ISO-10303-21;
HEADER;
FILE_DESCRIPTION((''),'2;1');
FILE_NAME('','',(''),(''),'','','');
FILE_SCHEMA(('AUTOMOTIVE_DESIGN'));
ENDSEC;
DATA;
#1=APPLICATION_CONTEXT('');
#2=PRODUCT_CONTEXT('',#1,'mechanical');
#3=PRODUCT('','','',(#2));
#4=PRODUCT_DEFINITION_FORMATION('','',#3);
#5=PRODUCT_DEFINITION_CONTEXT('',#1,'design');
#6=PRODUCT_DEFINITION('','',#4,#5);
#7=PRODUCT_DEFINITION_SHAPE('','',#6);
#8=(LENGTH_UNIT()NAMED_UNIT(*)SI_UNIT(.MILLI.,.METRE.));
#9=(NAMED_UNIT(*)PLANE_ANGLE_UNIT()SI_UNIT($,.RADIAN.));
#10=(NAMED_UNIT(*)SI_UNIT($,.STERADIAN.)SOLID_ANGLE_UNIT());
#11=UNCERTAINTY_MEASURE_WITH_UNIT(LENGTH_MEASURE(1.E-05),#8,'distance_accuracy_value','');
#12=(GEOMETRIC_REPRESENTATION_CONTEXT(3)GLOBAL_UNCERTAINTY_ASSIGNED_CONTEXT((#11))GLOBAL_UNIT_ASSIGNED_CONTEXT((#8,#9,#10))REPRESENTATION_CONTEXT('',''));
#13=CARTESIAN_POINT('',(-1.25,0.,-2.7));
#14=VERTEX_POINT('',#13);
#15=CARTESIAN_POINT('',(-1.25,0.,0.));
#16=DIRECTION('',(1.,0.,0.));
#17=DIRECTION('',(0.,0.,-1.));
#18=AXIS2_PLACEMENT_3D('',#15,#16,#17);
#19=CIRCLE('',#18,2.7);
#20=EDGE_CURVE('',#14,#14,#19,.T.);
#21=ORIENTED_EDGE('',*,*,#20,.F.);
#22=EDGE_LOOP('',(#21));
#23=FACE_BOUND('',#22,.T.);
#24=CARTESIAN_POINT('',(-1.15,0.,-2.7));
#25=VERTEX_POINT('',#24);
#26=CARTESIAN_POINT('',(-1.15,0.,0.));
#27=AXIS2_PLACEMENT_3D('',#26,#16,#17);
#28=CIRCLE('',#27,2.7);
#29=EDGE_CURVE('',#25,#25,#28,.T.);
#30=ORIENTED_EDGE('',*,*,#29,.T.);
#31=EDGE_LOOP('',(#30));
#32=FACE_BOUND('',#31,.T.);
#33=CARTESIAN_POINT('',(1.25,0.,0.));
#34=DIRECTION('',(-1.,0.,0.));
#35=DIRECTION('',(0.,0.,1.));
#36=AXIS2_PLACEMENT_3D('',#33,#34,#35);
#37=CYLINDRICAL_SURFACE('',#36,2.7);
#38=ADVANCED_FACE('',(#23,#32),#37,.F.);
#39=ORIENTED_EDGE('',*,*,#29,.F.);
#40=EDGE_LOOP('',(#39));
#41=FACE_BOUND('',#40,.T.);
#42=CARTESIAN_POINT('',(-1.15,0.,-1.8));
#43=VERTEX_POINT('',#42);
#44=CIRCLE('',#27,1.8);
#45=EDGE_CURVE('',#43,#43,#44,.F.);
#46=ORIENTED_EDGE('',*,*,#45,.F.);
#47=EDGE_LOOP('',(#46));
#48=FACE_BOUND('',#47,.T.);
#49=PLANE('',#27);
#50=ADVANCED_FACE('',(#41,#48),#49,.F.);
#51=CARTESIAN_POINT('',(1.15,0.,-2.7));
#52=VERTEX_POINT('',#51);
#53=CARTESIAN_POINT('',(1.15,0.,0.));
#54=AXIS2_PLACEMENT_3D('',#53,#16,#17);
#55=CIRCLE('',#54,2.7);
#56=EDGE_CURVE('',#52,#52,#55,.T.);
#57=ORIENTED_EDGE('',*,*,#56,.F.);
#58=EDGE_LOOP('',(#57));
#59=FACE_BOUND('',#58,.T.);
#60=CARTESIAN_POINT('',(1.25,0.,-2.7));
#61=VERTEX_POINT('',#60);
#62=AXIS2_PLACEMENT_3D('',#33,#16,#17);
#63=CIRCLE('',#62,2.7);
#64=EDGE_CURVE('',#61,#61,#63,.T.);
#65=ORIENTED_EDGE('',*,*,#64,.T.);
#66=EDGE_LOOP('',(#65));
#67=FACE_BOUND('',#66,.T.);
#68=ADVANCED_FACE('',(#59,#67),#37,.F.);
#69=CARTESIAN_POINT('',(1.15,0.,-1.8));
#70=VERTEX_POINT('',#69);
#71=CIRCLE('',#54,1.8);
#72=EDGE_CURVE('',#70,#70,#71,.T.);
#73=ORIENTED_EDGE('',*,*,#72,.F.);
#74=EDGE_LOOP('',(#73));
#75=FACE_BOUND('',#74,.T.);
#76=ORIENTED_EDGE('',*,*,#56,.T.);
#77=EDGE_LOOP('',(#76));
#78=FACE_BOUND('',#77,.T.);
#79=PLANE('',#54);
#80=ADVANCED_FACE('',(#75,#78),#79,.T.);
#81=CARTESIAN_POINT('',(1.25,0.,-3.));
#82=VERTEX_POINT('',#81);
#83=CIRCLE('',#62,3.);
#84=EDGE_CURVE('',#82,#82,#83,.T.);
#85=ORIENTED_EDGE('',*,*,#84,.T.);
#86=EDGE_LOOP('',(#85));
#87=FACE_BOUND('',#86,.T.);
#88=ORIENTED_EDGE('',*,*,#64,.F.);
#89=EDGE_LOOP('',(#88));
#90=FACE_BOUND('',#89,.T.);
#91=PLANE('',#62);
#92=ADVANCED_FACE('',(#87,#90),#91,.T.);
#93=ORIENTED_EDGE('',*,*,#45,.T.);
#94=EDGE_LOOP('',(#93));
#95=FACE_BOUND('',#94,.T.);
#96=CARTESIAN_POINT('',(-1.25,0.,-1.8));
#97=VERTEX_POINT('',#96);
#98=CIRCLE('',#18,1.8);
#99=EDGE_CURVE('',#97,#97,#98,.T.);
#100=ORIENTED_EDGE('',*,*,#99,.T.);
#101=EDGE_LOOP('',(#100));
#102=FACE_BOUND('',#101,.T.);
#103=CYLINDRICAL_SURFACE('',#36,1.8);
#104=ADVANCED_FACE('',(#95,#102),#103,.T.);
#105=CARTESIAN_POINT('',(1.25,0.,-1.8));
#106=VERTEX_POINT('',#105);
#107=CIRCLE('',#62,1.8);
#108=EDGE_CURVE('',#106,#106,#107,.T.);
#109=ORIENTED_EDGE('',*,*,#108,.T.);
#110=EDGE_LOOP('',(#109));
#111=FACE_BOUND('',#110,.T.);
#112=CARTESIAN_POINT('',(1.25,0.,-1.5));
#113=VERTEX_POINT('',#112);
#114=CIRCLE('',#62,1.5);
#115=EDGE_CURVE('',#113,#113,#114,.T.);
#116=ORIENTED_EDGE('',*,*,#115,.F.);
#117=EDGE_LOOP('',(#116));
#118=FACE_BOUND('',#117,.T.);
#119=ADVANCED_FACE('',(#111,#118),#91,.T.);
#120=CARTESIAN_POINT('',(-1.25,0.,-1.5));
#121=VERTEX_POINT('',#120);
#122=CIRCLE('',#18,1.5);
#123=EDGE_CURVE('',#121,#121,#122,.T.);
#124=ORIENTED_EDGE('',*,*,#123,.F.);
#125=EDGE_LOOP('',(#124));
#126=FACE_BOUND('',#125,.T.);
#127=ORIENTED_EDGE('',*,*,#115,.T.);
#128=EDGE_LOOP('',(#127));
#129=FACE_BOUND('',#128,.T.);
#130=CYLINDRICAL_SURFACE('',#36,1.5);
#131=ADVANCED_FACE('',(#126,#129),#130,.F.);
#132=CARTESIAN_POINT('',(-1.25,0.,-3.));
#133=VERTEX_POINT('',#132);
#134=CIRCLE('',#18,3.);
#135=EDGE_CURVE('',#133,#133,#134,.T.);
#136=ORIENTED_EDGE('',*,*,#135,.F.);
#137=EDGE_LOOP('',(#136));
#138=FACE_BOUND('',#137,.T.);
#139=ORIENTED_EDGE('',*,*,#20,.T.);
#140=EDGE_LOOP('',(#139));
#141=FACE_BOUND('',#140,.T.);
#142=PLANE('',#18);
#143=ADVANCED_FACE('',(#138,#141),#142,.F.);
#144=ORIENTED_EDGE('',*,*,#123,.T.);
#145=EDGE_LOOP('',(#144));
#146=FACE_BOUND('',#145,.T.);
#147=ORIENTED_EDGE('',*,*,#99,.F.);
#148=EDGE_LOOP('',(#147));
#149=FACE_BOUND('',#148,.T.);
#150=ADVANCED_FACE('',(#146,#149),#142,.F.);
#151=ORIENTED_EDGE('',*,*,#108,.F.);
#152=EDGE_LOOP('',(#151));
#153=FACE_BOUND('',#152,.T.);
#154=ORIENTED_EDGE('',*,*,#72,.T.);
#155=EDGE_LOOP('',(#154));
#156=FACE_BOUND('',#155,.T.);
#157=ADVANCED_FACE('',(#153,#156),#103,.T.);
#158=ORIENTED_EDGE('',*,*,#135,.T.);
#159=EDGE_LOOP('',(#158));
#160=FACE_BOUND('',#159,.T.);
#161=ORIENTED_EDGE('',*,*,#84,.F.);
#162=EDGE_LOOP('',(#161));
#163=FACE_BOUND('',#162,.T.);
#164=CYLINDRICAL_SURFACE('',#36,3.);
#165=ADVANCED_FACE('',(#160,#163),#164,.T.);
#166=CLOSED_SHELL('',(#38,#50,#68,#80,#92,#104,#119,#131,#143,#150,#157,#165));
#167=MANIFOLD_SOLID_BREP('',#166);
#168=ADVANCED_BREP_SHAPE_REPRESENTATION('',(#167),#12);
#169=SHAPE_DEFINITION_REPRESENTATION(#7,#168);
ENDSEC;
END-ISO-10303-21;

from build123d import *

# Parameters (mm, degrees)
ESQUISSE1_R          = 3
ESQUISSE1_R_2        = 2.7
BOSS_EXTRU_1_DEPTH   = 1.25
ESQUISSE1_R_3        = 1.8
ESQUISSE1_R_4        = 1.5
BOSS_EXTRU_1_2_DEPTH = 1.25
ESQUISSE2_R          = 2.7
ESQUISSE2_R_2        = 1.8
BOSS_EXTRU_2_DEPTH   = 1.15


with BuildPart() as part:
    # Esquisse1 → Boss.-Extru.1 (new, symmetric)
    with BuildSketch(Plane(origin=(0, 0, 0), x_dir=(0, 0, -1), z_dir=(1, 0, 0))):
        Circle(ESQUISSE1_R)
        Circle(ESQUISSE1_R_2, mode=Mode.SUBTRACT)
    extrude(amount=BOSS_EXTRU_1_DEPTH, both=True)



with BuildPart() as body_2:
    # Esquisse1 → Boss.-Extru.1 2 (new, symmetric)
    with BuildSketch(Plane(origin=(0, 0, 0), x_dir=(0, 0, -1), z_dir=(1, 0, 0))):
        Circle(ESQUISSE1_R_3)
        Circle(ESQUISSE1_R_4, mode=Mode.SUBTRACT)
    extrude(amount=BOSS_EXTRU_1_2_DEPTH, both=True)


with BuildPart() as part_1:
    add(part.part)

    add(body_2.part)  # Boss.-Extru.2 merges body 2
    # Esquisse2 → Boss.-Extru.2 (add, symmetric)
    with BuildSketch(Plane(origin=(0, 0, 0), x_dir=(0, 0, -1), z_dir=(1, 0, 0))):
        Circle(ESQUISSE2_R)
        Circle(ESQUISSE2_R_2, mode=Mode.SUBTRACT)
    extrude(amount=BOSS_EXTRU_2_DEPTH, both=True)


solid = part_1.part
